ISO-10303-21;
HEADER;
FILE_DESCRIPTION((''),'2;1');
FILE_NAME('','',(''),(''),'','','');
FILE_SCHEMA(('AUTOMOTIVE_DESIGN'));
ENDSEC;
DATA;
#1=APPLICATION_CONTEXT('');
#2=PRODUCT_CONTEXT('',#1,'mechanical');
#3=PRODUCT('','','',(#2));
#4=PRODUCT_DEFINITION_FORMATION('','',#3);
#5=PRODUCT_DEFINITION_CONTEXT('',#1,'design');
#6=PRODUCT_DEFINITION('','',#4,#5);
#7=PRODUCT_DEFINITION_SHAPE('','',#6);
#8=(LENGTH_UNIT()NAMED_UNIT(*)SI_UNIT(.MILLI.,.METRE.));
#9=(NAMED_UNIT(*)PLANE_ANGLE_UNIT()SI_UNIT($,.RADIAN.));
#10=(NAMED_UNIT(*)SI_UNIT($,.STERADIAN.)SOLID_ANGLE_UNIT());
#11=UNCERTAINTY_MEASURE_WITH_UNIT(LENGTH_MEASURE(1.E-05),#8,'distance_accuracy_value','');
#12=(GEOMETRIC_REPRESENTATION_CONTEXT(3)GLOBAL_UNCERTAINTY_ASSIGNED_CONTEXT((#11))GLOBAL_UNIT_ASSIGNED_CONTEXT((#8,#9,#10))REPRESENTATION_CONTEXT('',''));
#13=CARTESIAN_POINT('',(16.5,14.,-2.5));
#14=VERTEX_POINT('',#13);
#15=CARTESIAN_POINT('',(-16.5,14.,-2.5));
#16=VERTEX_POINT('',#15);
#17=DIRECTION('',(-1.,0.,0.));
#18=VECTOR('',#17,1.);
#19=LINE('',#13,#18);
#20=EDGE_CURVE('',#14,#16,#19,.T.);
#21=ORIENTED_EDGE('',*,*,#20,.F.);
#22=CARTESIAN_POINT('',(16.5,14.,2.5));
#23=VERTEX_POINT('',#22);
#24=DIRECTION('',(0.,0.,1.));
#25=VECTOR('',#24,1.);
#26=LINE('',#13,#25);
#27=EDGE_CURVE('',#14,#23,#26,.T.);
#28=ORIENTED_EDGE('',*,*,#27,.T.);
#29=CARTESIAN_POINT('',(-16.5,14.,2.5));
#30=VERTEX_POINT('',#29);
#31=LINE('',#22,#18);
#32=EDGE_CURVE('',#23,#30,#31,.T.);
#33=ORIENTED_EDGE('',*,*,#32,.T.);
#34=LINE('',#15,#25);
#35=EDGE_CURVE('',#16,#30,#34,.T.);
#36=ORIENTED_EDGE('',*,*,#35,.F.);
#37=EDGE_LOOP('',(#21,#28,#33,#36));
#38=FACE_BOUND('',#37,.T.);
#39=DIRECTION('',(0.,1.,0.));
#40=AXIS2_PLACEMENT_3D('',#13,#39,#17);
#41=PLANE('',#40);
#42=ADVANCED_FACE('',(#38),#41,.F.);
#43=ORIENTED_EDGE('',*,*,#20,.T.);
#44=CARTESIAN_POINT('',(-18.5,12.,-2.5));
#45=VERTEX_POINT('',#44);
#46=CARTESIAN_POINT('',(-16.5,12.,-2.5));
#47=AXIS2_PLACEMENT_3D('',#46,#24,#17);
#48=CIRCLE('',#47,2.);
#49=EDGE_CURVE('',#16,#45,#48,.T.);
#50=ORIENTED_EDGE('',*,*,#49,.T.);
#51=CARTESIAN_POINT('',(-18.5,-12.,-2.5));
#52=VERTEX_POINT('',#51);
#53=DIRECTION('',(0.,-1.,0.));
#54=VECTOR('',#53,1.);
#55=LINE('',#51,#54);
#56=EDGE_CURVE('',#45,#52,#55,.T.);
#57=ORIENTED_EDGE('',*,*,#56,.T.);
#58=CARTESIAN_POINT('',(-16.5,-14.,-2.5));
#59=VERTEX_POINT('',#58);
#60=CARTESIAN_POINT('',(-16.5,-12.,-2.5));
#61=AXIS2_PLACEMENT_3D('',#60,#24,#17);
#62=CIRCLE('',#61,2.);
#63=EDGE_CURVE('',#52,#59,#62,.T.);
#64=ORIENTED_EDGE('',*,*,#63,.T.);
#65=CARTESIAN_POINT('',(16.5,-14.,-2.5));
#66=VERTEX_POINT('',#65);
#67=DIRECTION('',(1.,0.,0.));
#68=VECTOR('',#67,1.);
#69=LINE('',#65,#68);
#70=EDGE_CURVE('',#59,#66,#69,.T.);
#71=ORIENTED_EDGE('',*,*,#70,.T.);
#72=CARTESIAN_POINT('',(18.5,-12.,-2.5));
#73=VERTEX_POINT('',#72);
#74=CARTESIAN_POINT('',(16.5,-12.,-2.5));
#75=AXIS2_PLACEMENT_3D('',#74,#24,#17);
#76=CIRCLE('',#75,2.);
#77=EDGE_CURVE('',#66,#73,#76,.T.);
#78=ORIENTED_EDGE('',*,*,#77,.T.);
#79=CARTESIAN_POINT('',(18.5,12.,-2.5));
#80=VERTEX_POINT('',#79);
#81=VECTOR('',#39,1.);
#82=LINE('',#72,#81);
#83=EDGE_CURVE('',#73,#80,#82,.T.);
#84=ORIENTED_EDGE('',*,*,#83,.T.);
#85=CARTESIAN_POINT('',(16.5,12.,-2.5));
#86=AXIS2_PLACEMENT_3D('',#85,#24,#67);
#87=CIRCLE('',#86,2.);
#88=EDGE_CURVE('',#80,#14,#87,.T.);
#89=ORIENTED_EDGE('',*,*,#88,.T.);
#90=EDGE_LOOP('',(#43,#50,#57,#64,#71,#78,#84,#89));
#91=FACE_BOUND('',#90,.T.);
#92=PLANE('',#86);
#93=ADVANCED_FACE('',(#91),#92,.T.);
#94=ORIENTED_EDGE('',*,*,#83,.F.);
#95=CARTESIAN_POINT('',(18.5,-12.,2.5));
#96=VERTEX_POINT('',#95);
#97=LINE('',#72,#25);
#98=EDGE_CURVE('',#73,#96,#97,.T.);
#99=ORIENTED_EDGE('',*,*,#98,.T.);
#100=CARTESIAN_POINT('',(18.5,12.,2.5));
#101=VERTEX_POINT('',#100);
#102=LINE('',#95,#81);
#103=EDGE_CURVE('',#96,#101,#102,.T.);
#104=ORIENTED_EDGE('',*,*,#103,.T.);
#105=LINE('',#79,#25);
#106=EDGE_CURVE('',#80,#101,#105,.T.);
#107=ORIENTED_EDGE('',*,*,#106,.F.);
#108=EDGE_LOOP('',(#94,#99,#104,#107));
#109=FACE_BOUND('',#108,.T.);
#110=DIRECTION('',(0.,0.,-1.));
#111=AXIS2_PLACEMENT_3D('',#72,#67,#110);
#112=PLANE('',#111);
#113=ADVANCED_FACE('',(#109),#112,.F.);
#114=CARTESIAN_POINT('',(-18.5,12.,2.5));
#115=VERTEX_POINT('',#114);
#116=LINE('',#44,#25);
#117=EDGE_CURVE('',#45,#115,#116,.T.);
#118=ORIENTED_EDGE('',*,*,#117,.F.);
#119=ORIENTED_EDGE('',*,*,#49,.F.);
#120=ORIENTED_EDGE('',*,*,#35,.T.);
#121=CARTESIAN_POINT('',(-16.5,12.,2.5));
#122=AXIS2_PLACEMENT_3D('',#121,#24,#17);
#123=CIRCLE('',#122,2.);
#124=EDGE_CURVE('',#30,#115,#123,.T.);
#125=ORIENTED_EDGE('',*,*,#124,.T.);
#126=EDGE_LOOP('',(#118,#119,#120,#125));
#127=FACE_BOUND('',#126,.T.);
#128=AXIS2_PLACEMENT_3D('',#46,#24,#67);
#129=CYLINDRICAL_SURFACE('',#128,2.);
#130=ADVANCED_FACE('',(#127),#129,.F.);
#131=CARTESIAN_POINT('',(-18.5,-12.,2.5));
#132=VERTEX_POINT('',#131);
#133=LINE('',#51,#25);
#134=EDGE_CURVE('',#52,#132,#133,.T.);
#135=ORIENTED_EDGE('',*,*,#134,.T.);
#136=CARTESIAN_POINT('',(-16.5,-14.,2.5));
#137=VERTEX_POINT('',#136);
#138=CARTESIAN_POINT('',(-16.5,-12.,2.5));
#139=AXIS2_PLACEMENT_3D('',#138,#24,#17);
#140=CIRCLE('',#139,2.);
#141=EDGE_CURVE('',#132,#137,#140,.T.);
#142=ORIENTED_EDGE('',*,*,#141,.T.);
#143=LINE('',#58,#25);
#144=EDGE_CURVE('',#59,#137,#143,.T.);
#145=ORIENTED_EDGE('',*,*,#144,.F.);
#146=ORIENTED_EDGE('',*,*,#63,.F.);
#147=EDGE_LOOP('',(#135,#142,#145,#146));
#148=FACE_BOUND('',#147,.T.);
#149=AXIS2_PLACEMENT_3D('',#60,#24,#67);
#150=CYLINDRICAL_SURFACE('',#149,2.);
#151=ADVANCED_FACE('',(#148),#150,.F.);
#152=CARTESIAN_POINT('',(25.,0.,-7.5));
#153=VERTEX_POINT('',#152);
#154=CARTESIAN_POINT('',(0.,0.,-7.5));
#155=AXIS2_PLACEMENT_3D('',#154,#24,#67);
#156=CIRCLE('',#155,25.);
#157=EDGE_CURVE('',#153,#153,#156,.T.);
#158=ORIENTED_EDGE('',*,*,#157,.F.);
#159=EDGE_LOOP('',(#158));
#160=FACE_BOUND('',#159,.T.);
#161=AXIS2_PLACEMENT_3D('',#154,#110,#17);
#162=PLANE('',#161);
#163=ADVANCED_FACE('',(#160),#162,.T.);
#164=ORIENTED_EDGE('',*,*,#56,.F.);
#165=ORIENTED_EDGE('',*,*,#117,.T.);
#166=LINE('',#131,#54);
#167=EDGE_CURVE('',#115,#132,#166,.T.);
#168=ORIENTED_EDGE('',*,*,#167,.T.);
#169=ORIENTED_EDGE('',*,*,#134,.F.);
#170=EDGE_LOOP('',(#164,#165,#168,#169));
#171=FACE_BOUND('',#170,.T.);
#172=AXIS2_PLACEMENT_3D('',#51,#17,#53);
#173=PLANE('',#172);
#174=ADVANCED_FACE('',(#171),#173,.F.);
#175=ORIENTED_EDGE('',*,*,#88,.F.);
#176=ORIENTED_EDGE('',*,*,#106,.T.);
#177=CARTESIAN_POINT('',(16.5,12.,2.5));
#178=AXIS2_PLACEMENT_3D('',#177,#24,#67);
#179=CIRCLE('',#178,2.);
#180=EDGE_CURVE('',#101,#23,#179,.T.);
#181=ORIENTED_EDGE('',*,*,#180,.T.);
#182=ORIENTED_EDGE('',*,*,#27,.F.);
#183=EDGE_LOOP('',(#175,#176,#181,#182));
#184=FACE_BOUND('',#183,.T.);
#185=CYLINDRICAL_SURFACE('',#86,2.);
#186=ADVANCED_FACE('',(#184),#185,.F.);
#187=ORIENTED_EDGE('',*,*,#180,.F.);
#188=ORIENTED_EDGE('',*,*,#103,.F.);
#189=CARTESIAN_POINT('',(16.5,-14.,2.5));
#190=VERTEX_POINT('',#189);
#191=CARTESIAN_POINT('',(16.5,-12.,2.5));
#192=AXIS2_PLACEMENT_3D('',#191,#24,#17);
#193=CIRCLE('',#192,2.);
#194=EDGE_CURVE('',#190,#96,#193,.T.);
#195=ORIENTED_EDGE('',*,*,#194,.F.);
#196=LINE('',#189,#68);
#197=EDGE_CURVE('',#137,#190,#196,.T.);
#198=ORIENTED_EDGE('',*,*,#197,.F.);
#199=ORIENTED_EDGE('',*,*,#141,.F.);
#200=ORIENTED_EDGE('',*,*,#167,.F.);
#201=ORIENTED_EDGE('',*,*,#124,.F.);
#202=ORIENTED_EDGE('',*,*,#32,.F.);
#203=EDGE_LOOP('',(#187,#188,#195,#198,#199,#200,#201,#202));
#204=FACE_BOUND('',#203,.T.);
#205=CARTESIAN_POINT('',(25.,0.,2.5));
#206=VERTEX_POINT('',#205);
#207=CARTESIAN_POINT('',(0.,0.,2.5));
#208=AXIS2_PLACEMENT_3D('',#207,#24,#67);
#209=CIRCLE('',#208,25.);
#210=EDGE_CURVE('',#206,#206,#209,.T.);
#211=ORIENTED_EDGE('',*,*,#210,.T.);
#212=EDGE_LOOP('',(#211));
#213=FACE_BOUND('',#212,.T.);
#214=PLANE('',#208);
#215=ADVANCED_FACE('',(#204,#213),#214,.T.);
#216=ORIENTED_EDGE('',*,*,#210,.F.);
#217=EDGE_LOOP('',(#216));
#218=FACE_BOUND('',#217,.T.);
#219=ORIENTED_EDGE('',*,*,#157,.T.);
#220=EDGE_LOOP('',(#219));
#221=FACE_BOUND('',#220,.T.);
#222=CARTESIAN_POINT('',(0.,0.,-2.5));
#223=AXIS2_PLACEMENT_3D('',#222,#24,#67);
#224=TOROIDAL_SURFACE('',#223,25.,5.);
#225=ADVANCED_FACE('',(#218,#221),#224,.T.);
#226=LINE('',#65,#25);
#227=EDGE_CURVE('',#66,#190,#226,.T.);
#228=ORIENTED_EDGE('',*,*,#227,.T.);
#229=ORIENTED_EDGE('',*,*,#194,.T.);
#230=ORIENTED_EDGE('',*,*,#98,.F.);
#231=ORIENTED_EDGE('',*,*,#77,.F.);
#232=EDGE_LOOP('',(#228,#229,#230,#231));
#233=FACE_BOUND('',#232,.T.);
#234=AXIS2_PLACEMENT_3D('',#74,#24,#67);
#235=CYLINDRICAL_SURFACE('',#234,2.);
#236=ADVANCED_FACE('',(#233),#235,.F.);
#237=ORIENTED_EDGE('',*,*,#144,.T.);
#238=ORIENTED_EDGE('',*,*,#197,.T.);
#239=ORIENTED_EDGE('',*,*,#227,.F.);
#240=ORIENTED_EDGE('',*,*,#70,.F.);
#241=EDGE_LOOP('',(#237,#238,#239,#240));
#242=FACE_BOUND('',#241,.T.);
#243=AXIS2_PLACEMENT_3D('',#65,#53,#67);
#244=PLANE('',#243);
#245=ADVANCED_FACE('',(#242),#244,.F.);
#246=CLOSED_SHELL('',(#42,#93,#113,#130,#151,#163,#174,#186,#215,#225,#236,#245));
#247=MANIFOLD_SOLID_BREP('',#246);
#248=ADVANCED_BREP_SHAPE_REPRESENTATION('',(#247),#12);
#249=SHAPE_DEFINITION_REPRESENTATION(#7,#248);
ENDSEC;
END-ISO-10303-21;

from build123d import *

# Parameters (mm, degrees)
CUT_EXTRUDE3_DEPTH = 5


with BuildPart() as part:
    # Sketch7 → Revolve2 (revolve)
    with BuildSketch(Plane(origin=(0, 0, 0), x_dir=(1, 0, 0), z_dir=(0, 1, 0))):
        with BuildLine():
            Line((0, -2.5), (0, 7.5))
            Line((0, 7.5), (25, 7.5))
            ThreePointArc((25, 7.5), (30, 2.5), (25, -2.5))
            Line((25, -2.5), (0, -2.5))
        make_face()
    revolve(axis=Axis((0, 0, 2.5), (0, 0, -1)))

    # Sketch9 → Cut-Extrude3 (cut)
    with BuildSketch(Plane.XY.offset(2.5)):
        with BuildLine():
            Line((16.5, -14), (-16.5, -14))
            ThreePointArc((-16.5, -14), (-17.914213562, -13.414213562), (-18.5, -12))
            Line((-18.5, -12), (-18.5, 12))
            ThreePointArc((-18.5, 12), (-17.914213562, 13.414213562), (-16.5, 14))
            Line((-16.5, 14), (16.5, 14))
            ThreePointArc((16.5, 14), (17.914213562, 13.414213562), (18.5, 12))
            Line((18.5, 12), (18.5, -12))
            ThreePointArc((18.5, -12), (17.914213562, -13.414213562), (16.5, -14))
        make_face()
    extrude(amount=-CUT_EXTRUDE3_DEPTH, mode=Mode.SUBTRACT)


solid = part.part
